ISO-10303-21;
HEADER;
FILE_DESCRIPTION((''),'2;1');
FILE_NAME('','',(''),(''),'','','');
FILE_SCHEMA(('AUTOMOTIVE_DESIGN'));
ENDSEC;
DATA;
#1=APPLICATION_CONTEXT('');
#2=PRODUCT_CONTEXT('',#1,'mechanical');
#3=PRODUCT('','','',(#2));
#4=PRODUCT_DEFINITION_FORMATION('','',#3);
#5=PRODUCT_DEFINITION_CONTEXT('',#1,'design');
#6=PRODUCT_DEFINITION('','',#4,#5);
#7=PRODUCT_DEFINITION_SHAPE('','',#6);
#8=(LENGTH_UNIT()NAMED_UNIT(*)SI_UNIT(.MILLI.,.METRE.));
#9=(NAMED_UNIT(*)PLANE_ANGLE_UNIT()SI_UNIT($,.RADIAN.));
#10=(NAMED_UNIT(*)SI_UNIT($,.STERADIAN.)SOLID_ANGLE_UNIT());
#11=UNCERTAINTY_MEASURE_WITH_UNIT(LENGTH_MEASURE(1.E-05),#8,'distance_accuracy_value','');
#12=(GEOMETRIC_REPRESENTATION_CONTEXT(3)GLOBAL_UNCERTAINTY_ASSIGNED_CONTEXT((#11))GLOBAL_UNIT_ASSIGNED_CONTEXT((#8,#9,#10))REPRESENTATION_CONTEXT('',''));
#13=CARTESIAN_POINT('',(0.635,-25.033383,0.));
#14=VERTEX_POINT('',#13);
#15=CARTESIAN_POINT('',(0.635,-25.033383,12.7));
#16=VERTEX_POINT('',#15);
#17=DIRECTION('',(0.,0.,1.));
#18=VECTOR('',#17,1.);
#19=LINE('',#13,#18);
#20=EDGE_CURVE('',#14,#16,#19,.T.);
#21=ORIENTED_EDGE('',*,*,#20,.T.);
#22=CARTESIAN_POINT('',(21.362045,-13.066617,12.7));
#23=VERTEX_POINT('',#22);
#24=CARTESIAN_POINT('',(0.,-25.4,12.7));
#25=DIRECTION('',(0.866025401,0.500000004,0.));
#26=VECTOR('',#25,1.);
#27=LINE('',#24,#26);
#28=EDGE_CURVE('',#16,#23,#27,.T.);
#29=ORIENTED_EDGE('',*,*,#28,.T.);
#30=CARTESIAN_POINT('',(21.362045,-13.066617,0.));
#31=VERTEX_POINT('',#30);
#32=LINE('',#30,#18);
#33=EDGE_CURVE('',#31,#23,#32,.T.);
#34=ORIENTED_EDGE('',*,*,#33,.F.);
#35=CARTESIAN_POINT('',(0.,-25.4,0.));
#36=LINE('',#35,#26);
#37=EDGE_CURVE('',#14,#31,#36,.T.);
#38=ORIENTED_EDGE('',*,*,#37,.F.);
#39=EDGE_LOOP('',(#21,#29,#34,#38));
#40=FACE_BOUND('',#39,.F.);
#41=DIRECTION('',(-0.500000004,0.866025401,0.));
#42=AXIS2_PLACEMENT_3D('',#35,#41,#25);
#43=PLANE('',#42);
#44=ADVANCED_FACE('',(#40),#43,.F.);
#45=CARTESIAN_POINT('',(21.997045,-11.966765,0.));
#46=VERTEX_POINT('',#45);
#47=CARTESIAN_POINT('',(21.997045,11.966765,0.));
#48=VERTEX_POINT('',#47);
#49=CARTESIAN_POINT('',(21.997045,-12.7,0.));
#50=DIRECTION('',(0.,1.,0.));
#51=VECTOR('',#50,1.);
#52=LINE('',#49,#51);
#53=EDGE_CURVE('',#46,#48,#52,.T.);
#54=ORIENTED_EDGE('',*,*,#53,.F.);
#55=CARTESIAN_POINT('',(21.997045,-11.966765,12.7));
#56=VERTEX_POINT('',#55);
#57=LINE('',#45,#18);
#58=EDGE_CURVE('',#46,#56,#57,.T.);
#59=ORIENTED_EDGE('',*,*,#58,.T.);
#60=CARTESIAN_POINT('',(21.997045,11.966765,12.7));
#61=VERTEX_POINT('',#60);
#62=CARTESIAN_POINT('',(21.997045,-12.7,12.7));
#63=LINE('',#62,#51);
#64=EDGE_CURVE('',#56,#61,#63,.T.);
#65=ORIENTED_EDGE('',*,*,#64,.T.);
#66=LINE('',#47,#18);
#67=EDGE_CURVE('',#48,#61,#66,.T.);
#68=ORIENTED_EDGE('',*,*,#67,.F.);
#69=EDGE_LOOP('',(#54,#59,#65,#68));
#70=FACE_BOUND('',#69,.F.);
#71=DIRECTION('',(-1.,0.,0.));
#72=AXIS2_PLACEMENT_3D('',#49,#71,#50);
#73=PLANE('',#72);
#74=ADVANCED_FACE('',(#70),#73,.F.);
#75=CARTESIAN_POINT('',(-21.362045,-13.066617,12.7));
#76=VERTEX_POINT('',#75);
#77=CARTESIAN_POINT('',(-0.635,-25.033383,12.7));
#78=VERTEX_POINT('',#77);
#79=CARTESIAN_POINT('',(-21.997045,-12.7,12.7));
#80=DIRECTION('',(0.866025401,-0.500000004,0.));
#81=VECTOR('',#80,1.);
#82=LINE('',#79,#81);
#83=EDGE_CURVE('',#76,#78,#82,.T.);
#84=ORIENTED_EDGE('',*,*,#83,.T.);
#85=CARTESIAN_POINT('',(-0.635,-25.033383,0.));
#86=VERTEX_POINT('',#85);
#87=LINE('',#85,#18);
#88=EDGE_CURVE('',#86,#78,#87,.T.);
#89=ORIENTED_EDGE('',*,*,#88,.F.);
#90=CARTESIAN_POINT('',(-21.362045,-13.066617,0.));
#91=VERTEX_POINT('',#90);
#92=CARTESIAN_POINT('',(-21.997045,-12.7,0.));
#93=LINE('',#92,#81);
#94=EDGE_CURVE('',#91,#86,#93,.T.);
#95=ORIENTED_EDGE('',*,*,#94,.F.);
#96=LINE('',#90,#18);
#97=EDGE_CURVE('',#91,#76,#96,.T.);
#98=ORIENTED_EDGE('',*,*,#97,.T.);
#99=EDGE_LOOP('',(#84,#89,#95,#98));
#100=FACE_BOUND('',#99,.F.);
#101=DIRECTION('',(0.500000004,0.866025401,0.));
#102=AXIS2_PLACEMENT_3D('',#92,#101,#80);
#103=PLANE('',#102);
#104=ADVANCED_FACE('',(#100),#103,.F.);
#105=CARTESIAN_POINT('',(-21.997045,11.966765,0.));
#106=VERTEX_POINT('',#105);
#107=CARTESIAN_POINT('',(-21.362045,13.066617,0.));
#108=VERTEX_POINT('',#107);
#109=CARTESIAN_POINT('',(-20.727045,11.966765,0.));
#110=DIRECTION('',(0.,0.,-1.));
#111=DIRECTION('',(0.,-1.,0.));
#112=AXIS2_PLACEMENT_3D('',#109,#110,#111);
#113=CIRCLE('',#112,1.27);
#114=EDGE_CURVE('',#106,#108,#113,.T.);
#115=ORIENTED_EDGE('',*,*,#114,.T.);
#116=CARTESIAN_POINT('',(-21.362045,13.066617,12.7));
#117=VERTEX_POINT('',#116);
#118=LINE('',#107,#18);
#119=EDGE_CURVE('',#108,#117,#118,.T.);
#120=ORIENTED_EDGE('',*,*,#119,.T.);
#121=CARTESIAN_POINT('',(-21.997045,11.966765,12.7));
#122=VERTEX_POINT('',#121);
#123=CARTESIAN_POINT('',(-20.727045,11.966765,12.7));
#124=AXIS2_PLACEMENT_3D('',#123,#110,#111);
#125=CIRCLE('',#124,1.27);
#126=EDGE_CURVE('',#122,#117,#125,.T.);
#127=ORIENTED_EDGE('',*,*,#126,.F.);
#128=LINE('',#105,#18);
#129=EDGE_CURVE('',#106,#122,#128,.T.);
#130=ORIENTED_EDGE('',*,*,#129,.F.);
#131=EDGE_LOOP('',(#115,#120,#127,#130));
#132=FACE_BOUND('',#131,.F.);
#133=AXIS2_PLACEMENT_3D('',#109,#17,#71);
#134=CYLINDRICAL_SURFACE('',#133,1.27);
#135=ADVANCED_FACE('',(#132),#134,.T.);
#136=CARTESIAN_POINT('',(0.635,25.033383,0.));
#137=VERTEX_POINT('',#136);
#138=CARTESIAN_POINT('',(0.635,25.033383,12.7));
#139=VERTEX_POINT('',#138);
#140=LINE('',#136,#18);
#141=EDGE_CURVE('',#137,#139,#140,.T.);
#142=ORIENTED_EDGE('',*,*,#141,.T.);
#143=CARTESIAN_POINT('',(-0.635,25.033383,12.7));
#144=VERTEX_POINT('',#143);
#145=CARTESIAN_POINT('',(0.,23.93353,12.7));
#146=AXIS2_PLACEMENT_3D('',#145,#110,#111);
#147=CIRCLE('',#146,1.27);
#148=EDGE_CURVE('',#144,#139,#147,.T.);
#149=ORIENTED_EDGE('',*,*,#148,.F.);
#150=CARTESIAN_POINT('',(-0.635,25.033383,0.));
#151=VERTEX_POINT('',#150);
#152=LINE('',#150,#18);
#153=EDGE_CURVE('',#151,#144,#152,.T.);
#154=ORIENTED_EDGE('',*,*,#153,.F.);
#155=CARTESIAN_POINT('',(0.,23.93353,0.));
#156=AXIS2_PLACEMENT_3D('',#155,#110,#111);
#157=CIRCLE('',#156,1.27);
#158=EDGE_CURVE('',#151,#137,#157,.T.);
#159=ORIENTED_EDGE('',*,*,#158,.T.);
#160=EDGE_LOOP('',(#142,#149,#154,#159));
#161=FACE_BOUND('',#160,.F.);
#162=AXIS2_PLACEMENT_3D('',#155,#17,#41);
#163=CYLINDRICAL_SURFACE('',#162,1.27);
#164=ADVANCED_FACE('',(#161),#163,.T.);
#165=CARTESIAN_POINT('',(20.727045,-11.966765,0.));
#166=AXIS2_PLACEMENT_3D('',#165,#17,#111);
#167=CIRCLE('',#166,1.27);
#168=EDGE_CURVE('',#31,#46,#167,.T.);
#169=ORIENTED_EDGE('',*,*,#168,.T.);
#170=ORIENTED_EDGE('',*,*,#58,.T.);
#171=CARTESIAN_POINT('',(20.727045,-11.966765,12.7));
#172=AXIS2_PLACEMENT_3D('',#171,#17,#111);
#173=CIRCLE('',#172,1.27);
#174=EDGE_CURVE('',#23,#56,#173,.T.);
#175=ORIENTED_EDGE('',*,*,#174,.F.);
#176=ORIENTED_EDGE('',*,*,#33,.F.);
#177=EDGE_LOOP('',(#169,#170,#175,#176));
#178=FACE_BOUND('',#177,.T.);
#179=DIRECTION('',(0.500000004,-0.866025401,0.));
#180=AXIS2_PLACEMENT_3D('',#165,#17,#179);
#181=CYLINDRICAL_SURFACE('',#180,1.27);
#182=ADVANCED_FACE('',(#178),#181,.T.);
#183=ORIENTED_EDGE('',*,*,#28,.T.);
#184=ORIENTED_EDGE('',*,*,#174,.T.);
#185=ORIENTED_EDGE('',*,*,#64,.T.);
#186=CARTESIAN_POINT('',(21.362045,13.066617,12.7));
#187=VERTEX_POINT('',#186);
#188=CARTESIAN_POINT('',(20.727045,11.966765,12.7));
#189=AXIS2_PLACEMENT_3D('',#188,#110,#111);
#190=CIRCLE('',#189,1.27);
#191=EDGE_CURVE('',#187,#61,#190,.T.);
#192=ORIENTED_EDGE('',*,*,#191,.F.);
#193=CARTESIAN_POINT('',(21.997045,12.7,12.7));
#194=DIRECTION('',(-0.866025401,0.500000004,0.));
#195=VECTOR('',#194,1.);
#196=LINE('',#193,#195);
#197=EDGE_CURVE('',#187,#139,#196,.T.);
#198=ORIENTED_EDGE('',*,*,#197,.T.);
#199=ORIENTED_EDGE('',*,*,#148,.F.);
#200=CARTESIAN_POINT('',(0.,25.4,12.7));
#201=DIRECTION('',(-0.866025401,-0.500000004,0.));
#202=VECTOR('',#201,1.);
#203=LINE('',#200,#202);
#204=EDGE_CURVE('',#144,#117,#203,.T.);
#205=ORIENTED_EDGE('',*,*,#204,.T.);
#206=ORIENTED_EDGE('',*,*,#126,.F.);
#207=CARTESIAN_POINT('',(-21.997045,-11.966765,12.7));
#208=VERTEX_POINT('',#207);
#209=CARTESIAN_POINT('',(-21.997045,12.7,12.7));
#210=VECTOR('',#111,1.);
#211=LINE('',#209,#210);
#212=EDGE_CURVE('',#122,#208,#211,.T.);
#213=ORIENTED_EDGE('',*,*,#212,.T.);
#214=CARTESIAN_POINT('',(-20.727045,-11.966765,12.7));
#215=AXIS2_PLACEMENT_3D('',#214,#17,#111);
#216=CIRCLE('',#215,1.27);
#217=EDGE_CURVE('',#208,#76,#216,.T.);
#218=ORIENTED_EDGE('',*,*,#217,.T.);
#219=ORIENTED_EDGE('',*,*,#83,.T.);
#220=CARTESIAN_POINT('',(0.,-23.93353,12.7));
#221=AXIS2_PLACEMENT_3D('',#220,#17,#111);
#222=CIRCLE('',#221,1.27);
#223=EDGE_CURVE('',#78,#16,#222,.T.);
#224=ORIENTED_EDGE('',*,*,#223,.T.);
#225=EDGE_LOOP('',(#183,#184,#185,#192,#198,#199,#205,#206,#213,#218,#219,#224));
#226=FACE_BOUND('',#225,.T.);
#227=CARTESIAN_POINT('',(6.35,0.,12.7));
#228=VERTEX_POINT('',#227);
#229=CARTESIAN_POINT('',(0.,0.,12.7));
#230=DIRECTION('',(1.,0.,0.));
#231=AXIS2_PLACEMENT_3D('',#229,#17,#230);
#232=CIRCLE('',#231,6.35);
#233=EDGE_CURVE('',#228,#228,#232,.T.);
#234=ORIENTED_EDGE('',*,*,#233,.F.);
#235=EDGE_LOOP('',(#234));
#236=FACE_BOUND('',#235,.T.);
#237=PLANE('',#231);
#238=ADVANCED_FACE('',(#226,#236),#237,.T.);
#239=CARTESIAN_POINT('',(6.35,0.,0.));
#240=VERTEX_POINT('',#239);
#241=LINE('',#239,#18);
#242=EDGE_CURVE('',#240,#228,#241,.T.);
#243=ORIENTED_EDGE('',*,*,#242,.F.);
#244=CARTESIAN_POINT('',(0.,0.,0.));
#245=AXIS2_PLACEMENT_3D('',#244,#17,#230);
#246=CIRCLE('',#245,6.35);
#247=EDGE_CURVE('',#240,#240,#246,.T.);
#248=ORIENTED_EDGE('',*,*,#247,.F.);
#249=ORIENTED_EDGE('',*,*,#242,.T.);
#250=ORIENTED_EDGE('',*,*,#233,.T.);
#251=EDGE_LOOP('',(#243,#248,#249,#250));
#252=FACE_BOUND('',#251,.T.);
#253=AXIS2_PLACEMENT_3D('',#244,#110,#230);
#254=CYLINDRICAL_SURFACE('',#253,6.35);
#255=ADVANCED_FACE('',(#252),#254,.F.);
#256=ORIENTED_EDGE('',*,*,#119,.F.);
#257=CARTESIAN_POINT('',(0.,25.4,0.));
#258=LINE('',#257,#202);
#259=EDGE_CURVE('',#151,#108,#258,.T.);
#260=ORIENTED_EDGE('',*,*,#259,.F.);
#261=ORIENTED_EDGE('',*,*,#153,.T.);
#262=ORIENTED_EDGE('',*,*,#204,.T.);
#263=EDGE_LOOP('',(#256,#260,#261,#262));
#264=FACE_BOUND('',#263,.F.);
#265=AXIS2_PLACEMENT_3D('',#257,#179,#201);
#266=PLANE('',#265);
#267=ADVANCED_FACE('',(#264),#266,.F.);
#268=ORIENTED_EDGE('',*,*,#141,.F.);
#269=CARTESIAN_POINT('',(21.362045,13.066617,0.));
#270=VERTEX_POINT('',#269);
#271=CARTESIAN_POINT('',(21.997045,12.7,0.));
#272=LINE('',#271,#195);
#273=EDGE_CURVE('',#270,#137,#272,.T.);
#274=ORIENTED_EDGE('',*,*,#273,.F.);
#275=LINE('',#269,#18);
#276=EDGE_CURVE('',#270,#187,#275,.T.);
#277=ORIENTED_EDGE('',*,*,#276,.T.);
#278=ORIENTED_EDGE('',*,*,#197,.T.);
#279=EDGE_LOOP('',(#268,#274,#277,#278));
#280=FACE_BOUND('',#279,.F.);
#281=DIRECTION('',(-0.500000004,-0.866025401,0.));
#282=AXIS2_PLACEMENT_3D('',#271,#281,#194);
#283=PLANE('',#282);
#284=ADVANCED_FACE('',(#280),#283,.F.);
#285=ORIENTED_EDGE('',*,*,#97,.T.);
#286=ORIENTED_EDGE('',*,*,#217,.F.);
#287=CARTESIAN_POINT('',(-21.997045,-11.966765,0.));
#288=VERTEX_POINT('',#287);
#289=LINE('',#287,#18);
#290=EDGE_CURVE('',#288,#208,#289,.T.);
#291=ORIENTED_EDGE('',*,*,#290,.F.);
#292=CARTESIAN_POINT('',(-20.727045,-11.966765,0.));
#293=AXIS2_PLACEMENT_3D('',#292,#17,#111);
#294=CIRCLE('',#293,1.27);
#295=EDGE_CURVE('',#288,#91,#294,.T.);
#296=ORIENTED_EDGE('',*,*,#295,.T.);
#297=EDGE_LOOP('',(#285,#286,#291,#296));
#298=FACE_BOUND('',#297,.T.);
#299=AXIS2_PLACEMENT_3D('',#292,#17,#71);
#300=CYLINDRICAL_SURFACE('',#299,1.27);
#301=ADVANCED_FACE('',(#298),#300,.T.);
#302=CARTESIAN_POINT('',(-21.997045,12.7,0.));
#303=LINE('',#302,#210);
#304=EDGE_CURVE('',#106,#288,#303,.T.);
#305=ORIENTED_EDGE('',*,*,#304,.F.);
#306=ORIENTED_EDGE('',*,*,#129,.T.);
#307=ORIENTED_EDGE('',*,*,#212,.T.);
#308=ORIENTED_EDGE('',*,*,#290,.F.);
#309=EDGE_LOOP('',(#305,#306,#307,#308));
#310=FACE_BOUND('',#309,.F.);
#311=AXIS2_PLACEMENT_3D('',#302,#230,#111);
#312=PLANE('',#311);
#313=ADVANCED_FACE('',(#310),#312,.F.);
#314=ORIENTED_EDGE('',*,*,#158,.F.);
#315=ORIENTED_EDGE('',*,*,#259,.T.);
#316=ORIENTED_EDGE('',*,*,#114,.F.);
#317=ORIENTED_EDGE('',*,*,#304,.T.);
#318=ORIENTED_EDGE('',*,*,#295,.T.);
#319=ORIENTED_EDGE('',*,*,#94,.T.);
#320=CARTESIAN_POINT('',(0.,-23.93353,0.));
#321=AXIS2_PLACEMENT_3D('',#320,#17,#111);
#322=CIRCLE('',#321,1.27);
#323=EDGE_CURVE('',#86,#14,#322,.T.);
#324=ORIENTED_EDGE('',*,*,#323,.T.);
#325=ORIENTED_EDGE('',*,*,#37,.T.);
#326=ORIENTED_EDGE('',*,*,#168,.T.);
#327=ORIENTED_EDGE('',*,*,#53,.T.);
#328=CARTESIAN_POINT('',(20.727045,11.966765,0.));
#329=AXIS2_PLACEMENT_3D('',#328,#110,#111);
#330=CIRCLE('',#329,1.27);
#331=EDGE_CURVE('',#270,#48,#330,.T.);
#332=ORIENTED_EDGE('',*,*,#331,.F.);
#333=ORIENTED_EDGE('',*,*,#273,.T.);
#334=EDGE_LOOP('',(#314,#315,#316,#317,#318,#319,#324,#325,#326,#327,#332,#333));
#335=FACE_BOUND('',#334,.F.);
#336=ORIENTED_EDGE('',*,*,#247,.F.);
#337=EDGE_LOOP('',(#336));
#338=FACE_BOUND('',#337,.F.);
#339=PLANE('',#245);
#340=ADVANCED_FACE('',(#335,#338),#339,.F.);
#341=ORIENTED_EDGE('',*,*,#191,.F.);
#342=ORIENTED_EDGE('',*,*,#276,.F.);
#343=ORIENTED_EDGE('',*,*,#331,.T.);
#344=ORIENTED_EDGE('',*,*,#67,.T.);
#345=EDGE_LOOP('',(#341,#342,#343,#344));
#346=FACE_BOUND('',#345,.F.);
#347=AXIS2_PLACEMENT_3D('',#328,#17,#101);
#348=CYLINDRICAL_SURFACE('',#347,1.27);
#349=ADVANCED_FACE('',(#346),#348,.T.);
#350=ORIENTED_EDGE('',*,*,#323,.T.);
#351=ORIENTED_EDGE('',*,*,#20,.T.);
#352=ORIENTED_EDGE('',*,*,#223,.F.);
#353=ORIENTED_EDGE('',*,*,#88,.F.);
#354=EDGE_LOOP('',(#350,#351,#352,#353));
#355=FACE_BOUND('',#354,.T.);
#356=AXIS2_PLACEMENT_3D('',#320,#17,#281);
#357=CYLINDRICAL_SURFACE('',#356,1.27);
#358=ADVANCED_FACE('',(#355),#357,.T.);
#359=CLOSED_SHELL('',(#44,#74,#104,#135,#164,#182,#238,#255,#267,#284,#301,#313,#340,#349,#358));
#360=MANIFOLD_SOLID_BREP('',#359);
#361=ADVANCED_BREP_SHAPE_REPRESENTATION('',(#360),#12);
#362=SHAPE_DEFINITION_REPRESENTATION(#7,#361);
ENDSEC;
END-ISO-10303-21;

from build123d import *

# Parameters (mm, degrees)
F0_R     = 6.35
F1_DEPTH = 12.7
F2_R     = 1.27


with BuildPart() as f1:
    # F0 (on Top) → F1 (new body)
    with BuildSketch(Plane.XY):
        Polygon((-21.997045, 12.7), (-21.997045, -12.7), (0, -25.4), (21.997045, -12.7), (21.997045, 12.7), (0, 25.4), align=None)
        Circle(F0_R, mode=Mode.SUBTRACT)
    extrude(amount=F1_DEPTH)

    # F2
    f2_edges = [f1.edges().sort_by_distance(p)[0] for p in [
        (21.997045, -12.7, 6.35),
        (0, -25.4, 6.35),
        (21.997045, 12.7, 6.35),
        (-21.997045, -12.7, 6.35),
        (-21.997045, 12.7, 6.35),
        (0, 25.4, 6.35),
    ]]
    fillet(f2_edges, radius=F2_R)


solid = f1.part
